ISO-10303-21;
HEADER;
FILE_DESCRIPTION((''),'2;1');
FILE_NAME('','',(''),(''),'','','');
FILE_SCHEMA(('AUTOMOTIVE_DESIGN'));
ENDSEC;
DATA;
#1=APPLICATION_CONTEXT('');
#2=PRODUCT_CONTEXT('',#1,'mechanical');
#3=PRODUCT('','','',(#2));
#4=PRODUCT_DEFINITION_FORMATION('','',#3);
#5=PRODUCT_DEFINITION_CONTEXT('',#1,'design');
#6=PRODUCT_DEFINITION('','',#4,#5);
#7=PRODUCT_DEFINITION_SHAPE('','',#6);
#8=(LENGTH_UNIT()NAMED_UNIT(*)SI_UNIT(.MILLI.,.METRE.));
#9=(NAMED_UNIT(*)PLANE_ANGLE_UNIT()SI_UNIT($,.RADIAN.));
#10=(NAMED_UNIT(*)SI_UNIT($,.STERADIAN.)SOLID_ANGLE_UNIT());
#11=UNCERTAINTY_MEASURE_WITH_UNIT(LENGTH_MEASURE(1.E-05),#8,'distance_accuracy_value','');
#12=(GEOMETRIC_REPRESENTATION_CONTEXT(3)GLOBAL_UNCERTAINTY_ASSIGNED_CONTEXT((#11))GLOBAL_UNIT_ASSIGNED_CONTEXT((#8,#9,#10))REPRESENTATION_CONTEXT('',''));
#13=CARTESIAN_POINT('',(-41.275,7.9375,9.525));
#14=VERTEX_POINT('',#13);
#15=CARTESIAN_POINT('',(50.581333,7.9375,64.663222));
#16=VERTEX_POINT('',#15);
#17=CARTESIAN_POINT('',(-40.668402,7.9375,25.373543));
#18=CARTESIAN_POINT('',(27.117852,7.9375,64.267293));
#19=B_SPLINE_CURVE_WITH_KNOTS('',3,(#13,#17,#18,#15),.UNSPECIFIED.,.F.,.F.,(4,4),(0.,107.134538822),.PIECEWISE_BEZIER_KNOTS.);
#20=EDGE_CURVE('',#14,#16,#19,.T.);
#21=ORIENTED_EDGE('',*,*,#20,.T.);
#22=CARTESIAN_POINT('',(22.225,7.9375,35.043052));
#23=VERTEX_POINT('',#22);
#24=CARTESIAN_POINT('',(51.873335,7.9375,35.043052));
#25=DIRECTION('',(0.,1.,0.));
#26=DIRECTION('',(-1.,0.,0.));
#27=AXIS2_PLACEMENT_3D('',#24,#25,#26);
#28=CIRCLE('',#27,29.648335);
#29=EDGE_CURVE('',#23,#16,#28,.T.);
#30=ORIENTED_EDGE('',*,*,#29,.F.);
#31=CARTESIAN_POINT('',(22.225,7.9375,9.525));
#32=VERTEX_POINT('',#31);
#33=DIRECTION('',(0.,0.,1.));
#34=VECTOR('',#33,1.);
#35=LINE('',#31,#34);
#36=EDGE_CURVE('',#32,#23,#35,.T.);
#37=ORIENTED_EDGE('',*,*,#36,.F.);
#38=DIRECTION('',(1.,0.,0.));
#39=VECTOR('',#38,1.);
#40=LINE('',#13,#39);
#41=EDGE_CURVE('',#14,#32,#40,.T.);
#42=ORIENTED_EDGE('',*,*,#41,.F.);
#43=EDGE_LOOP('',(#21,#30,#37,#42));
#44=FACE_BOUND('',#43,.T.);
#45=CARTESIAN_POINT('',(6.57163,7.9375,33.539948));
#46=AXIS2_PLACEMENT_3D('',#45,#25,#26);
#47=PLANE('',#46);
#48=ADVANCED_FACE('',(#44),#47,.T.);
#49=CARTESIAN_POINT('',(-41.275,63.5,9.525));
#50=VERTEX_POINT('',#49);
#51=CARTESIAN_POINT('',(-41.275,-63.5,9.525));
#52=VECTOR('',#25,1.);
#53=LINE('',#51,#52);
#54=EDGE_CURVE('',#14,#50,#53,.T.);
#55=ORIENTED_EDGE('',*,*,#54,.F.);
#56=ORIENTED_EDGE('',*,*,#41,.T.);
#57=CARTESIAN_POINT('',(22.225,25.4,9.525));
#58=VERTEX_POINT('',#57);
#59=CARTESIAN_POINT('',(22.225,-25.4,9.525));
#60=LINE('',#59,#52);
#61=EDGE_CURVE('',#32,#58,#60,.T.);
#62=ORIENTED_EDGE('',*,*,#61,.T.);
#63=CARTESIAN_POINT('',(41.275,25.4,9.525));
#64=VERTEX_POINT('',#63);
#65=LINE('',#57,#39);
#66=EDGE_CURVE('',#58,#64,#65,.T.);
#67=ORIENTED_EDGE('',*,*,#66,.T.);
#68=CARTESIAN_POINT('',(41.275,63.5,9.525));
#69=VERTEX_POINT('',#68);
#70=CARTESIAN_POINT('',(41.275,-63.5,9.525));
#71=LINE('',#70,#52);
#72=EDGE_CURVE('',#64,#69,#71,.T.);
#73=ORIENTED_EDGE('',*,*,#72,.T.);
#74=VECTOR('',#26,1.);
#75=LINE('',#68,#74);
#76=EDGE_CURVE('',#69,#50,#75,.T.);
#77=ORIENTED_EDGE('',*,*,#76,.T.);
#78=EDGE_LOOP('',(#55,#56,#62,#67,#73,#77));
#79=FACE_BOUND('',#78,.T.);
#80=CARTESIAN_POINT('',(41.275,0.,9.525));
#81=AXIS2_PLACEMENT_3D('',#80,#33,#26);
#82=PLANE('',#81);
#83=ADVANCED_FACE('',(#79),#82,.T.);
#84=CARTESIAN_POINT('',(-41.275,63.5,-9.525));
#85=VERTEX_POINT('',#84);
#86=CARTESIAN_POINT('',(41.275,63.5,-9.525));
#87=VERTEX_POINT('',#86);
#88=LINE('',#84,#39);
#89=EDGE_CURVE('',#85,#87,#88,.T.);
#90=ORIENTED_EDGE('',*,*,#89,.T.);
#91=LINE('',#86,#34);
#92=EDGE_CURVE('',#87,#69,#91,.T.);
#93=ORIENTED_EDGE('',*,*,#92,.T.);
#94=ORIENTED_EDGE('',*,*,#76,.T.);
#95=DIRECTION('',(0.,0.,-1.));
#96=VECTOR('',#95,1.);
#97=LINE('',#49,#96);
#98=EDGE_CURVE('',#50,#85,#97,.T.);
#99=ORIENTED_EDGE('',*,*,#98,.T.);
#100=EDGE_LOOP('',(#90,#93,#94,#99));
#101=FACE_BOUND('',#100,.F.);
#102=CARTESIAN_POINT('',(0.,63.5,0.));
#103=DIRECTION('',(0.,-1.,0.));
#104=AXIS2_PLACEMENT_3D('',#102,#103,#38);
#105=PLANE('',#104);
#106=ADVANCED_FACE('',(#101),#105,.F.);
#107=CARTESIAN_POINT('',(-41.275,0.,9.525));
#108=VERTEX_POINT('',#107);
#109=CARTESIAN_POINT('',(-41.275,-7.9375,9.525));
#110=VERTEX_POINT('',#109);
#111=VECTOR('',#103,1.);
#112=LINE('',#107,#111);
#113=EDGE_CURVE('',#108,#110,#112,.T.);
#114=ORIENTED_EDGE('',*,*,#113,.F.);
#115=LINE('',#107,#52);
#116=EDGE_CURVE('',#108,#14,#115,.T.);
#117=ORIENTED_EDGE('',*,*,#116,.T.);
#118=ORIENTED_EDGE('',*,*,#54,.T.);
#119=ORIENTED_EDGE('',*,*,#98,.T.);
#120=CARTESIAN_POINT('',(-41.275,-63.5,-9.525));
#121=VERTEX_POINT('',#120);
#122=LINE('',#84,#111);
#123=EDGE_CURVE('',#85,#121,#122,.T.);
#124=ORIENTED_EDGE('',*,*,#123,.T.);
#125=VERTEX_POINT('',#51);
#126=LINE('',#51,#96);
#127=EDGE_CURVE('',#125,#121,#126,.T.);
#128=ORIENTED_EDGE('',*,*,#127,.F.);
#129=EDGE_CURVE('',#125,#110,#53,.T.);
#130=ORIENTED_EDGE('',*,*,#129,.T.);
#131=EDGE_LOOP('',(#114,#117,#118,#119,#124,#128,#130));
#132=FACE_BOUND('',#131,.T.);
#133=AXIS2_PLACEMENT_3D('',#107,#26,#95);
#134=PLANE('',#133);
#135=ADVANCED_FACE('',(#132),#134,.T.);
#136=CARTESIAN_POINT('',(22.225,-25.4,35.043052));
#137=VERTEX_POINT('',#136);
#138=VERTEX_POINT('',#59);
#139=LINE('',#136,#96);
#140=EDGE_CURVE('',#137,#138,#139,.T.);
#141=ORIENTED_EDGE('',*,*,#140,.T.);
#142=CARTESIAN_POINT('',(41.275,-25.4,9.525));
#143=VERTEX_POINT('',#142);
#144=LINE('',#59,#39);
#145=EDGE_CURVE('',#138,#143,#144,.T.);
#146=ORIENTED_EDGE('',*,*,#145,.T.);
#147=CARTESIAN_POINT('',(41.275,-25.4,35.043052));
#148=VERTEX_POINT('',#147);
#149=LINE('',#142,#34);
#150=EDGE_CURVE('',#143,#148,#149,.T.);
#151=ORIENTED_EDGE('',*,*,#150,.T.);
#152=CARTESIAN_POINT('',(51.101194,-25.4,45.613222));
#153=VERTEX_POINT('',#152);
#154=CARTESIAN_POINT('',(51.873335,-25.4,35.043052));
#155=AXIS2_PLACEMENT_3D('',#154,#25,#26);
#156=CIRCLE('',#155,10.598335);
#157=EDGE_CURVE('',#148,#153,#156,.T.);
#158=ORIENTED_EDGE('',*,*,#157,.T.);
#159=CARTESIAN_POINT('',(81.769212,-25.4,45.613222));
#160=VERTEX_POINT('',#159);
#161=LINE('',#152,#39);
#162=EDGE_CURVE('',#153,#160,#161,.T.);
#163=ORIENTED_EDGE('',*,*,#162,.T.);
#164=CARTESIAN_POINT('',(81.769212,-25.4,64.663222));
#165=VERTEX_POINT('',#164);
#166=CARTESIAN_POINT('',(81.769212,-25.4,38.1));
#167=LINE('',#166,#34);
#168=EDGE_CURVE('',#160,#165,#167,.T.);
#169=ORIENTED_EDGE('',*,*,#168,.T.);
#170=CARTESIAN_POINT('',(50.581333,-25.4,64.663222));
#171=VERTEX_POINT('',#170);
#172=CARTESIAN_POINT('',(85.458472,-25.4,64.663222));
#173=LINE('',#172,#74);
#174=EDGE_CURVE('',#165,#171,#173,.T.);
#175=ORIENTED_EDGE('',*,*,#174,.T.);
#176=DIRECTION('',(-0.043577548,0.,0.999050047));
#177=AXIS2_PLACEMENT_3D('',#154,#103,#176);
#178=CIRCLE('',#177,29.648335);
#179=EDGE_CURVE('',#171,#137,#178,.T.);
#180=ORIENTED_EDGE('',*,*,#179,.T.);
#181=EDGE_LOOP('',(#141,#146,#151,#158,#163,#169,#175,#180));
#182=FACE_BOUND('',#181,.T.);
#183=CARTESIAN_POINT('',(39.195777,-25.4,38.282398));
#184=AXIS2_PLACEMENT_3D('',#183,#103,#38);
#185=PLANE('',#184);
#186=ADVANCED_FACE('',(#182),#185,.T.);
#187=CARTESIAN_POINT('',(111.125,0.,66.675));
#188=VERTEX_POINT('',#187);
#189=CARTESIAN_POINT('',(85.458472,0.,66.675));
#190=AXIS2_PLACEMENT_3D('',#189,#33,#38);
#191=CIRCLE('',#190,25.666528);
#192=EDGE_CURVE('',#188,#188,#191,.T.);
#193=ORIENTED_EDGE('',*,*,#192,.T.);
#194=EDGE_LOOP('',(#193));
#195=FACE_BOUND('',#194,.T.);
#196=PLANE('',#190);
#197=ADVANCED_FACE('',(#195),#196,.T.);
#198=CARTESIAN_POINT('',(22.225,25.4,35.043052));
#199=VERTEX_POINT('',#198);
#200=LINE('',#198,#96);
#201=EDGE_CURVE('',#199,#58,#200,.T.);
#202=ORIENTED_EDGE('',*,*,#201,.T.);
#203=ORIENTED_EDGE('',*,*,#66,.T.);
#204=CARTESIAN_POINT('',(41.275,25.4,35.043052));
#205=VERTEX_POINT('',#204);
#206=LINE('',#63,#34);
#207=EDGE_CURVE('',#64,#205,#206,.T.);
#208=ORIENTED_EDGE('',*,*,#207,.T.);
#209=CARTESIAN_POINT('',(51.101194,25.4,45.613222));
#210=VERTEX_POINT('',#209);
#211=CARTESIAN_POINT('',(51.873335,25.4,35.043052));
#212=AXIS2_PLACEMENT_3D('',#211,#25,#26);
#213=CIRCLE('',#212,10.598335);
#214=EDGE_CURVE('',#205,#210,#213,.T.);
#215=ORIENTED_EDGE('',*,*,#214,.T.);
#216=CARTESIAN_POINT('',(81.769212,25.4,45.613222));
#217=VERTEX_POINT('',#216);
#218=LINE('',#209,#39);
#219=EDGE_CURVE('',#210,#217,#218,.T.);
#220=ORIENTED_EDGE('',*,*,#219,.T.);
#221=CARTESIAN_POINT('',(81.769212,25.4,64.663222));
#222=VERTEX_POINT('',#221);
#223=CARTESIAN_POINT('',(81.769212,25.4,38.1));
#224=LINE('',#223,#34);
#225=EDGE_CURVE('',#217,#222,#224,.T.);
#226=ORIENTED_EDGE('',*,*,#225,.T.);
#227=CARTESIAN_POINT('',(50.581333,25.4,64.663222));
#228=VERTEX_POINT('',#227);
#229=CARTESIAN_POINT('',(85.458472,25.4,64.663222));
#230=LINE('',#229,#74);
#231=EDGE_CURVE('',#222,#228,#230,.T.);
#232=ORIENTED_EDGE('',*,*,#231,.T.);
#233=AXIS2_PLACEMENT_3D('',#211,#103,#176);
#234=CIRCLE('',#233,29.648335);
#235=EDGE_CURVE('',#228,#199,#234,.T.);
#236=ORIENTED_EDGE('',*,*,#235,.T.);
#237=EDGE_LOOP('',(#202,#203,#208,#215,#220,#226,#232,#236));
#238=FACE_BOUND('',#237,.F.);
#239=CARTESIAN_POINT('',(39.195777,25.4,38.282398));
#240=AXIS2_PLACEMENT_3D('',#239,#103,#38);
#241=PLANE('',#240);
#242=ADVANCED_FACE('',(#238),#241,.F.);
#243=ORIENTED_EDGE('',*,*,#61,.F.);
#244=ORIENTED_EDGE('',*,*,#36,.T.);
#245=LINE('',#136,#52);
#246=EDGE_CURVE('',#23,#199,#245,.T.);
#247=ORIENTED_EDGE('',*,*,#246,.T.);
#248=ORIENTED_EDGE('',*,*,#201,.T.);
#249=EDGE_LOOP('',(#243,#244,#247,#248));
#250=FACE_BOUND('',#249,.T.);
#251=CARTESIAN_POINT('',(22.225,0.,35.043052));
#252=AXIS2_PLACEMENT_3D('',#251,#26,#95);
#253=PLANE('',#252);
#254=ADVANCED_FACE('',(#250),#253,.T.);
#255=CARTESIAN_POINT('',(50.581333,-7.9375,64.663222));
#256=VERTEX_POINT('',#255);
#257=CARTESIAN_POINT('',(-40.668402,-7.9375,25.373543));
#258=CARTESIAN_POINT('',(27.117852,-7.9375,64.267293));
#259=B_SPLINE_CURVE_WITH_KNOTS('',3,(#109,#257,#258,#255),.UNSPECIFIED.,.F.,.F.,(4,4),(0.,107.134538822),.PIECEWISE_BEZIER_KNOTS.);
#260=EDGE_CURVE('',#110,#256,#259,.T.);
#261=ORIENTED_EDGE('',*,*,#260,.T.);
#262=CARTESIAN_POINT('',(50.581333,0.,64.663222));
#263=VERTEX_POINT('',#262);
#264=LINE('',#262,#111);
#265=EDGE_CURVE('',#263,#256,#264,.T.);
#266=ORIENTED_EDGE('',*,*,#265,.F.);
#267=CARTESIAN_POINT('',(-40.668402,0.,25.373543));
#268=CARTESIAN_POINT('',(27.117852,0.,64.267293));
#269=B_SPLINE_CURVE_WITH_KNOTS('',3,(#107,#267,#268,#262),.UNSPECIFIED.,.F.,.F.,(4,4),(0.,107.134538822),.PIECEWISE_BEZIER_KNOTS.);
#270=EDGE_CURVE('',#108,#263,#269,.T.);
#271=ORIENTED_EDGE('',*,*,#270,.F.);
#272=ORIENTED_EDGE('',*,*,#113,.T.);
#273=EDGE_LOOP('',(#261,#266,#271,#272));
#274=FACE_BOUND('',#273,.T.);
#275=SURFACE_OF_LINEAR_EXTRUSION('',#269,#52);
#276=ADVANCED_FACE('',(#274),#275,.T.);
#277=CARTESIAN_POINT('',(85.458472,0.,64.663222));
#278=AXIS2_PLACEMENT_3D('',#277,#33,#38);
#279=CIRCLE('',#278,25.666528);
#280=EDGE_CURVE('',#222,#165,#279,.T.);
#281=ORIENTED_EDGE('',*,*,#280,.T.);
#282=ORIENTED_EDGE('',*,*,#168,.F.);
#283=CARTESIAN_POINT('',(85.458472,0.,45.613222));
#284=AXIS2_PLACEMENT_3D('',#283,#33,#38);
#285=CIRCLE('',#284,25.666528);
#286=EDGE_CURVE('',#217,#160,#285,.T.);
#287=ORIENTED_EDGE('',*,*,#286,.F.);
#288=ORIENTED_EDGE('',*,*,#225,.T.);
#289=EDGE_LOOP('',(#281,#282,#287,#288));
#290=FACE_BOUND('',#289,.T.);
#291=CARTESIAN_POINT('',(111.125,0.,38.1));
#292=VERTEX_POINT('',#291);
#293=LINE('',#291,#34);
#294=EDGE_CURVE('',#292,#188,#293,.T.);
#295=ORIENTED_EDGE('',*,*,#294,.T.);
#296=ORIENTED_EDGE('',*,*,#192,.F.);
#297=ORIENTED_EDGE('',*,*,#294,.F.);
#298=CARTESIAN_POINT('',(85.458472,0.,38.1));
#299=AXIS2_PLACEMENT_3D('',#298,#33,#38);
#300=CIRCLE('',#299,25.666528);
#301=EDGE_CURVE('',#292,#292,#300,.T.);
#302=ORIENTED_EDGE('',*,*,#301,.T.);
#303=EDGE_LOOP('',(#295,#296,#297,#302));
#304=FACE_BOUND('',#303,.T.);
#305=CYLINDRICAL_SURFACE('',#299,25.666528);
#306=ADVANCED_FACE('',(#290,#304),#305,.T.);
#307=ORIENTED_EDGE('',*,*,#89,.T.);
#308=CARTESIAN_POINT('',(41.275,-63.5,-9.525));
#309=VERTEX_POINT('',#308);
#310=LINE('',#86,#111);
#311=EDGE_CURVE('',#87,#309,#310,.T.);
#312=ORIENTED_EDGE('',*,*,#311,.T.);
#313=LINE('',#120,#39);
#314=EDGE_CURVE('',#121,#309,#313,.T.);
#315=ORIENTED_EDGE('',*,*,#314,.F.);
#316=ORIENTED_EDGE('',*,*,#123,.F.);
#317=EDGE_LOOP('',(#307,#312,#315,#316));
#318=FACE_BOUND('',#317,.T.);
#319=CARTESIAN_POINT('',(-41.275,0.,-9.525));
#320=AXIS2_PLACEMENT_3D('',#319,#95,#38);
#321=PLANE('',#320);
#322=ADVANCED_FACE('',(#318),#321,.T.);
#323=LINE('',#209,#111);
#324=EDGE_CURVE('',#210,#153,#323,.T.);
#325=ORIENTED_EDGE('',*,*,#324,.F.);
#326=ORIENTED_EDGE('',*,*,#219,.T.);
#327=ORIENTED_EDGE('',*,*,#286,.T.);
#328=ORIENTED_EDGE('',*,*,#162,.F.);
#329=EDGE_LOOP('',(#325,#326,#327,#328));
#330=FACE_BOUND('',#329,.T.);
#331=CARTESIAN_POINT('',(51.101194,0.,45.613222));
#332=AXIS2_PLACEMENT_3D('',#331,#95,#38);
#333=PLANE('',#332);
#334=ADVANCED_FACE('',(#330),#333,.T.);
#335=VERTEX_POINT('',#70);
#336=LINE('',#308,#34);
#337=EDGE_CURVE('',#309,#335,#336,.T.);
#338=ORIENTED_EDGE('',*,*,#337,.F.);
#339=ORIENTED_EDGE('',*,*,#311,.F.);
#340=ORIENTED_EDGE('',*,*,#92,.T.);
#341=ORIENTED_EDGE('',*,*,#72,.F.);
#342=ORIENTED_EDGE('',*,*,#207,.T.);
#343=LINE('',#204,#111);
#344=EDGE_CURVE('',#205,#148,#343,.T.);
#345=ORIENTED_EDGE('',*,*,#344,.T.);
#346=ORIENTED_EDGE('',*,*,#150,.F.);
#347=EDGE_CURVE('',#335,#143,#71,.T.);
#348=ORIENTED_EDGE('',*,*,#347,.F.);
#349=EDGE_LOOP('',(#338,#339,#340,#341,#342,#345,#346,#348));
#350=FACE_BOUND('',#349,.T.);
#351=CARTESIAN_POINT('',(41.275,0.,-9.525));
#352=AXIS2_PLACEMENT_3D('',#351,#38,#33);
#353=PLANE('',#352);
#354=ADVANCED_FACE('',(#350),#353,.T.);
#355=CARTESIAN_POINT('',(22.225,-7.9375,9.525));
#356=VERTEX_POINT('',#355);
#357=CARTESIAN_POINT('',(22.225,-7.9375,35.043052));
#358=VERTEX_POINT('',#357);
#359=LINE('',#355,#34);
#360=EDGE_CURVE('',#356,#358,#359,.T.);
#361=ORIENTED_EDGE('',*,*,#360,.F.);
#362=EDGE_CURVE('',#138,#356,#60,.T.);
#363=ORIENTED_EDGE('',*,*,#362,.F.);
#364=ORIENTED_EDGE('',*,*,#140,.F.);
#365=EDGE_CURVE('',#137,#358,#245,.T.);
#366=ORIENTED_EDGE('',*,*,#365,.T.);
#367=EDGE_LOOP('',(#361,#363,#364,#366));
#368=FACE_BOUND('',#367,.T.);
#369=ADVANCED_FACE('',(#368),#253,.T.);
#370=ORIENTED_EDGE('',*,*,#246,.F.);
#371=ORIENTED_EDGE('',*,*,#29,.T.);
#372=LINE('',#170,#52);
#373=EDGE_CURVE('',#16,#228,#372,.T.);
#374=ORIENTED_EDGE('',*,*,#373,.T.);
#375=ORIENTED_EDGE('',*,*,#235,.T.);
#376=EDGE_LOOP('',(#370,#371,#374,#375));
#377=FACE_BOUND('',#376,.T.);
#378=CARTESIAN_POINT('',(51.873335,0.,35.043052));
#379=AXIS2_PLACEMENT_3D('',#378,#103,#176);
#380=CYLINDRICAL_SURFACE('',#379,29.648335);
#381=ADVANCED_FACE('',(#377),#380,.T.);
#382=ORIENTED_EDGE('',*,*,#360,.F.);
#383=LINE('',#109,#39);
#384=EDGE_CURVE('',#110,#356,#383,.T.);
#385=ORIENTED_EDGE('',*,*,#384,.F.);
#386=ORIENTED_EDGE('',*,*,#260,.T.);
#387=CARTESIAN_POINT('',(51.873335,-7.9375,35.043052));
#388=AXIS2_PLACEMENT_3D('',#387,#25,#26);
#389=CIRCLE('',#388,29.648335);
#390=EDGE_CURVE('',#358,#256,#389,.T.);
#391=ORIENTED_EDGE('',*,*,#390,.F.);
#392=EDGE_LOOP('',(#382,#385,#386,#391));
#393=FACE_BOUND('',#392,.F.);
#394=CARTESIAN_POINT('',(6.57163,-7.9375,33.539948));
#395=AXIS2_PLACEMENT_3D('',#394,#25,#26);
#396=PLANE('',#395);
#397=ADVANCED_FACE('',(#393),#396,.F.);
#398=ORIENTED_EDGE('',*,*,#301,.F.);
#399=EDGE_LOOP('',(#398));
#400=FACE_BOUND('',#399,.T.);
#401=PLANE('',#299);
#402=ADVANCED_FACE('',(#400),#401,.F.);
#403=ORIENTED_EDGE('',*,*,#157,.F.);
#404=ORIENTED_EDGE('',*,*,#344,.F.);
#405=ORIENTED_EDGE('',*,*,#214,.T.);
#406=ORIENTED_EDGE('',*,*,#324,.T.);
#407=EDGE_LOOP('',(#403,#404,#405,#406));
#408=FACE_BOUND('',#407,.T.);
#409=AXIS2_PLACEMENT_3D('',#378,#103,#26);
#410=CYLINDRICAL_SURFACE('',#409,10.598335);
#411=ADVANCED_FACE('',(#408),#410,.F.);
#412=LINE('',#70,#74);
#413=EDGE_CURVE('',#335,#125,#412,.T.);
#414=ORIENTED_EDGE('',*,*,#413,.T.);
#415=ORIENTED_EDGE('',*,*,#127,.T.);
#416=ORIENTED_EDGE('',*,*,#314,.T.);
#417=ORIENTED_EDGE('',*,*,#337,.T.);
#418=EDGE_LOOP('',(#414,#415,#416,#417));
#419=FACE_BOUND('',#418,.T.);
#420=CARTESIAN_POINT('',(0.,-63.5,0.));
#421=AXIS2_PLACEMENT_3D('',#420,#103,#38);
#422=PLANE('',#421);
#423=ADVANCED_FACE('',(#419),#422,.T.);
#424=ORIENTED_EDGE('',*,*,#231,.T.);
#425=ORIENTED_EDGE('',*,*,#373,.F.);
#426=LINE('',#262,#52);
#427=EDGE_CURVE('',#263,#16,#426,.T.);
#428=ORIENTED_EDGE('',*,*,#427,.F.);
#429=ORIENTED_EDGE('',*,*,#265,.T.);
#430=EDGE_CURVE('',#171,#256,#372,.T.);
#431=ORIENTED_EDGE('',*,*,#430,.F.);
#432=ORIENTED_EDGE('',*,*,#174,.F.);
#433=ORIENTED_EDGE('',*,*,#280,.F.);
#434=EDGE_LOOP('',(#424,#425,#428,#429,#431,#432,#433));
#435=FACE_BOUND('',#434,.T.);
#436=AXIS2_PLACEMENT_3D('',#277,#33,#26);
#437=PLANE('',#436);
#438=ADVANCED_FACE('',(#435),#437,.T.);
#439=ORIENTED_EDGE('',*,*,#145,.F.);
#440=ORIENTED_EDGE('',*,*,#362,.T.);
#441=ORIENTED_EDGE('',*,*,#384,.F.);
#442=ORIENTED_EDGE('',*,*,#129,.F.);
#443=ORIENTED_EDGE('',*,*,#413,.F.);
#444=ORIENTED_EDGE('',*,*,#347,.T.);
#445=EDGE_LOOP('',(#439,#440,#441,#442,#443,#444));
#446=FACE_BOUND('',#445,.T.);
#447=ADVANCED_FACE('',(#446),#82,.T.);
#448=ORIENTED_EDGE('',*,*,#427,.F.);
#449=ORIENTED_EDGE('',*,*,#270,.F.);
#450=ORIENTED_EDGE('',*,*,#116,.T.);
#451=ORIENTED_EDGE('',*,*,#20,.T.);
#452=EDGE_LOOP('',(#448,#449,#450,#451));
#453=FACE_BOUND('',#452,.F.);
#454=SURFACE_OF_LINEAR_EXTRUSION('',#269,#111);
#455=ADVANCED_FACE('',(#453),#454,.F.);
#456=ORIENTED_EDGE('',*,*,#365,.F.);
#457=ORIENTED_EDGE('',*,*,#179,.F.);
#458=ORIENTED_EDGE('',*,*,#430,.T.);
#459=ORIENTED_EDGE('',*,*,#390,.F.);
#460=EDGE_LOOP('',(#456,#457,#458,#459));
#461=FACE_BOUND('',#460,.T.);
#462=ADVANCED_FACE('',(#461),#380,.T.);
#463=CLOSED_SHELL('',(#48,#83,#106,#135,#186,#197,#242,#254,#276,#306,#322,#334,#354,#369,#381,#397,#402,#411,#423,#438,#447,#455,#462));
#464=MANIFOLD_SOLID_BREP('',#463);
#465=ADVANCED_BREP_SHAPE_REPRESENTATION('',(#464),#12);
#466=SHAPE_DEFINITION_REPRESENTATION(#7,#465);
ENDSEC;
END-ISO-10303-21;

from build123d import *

# Parameters (mm, degrees)
F1_DEPTH = 63.5
F0_W     = 25.1334723711
F0_H     = 19.05
F2_DEPTH = 25.4
F3_DEPTH = 7.9375


with BuildPart() as f1:
    # F0 (on Front) → F1 (new body, symmetric)
    with BuildSketch(Plane.XZ):
        Polygon((-41.275, 9.525), (-41.275, -9.525), (41.275, -9.525), (41.275, 9.525), (22.225, 9.525), align=None)
    extrude(amount=F1_DEPTH, both=True)

    # F0 (on Front) → F2 (join, symmetric)
    with BuildSketch(Plane.XZ):
        with BuildLine():
            Line((22.225, 9.525), (41.275, 9.525))
            Line((41.275, 9.525), (41.275, 35.0430520255))
            ThreePointArc((41.275, 35.0430520255), (44.1109864464, 42.2590514087), (51.101194276, 45.6132220545))
            Line((51.101194276, 45.6132220545), (60.325, 45.6132220545))
            Line((60.325, 45.6132220545), (60.325, 64.6632220545))
            Line((60.325, 64.6632220545), (50.5813328098, 64.6632220545))
            ThreePointArc((50.5813328098, 64.6632220545), (30.4568754428, 55.5457108956), (22.225, 35.0430520255))
            Line((22.225, 35.0430520255), (22.225, 9.525))
        make_face()
        with Locations((72.8917361856, 55.1382220545)):
            Rectangle(F0_W, F0_H)
    extrude(amount=F2_DEPTH, both=True)

    # F0 (on Front) → F3 (join, symmetric)
    with BuildSketch(Plane.XZ):
        with BuildLine():
            add(Edge.make_bspline(
                [(-41.275, 9.525), (-40.6684018672, 25.3735426813), (27.1178521216, 64.2672926188), (50.5813328098, 64.6632220545)],
                knots=[0, 0, 0, 0, 107.134538822, 107.134538822, 107.134538822, 107.134538822], degree=3))
            Line((-41.275, 9.525), (22.225, 9.525))
            Line((22.225, 9.525), (22.225, 35.0430520255))
            ThreePointArc((22.225, 35.0430520255), (30.4568754428, 55.5457108956), (50.5813328098, 64.6632220545))
        make_face()
    extrude(amount=F3_DEPTH, both=True)

    # F0 (on Front) → F4 (revolve)
    with BuildSketch(Plane.XZ):
        Polygon((85.4584723711, 66.675), (85.4584723711, 64.6632220545), (85.4584723711, 45.6132220545), (85.4584723711, 38.1), (111.125, 38.1), (111.125, 66.675), align=None)
    revolve(axis=Axis((85.4584723711, 0, 52.3875), (0, 0, 1)))


solid = f1.part
